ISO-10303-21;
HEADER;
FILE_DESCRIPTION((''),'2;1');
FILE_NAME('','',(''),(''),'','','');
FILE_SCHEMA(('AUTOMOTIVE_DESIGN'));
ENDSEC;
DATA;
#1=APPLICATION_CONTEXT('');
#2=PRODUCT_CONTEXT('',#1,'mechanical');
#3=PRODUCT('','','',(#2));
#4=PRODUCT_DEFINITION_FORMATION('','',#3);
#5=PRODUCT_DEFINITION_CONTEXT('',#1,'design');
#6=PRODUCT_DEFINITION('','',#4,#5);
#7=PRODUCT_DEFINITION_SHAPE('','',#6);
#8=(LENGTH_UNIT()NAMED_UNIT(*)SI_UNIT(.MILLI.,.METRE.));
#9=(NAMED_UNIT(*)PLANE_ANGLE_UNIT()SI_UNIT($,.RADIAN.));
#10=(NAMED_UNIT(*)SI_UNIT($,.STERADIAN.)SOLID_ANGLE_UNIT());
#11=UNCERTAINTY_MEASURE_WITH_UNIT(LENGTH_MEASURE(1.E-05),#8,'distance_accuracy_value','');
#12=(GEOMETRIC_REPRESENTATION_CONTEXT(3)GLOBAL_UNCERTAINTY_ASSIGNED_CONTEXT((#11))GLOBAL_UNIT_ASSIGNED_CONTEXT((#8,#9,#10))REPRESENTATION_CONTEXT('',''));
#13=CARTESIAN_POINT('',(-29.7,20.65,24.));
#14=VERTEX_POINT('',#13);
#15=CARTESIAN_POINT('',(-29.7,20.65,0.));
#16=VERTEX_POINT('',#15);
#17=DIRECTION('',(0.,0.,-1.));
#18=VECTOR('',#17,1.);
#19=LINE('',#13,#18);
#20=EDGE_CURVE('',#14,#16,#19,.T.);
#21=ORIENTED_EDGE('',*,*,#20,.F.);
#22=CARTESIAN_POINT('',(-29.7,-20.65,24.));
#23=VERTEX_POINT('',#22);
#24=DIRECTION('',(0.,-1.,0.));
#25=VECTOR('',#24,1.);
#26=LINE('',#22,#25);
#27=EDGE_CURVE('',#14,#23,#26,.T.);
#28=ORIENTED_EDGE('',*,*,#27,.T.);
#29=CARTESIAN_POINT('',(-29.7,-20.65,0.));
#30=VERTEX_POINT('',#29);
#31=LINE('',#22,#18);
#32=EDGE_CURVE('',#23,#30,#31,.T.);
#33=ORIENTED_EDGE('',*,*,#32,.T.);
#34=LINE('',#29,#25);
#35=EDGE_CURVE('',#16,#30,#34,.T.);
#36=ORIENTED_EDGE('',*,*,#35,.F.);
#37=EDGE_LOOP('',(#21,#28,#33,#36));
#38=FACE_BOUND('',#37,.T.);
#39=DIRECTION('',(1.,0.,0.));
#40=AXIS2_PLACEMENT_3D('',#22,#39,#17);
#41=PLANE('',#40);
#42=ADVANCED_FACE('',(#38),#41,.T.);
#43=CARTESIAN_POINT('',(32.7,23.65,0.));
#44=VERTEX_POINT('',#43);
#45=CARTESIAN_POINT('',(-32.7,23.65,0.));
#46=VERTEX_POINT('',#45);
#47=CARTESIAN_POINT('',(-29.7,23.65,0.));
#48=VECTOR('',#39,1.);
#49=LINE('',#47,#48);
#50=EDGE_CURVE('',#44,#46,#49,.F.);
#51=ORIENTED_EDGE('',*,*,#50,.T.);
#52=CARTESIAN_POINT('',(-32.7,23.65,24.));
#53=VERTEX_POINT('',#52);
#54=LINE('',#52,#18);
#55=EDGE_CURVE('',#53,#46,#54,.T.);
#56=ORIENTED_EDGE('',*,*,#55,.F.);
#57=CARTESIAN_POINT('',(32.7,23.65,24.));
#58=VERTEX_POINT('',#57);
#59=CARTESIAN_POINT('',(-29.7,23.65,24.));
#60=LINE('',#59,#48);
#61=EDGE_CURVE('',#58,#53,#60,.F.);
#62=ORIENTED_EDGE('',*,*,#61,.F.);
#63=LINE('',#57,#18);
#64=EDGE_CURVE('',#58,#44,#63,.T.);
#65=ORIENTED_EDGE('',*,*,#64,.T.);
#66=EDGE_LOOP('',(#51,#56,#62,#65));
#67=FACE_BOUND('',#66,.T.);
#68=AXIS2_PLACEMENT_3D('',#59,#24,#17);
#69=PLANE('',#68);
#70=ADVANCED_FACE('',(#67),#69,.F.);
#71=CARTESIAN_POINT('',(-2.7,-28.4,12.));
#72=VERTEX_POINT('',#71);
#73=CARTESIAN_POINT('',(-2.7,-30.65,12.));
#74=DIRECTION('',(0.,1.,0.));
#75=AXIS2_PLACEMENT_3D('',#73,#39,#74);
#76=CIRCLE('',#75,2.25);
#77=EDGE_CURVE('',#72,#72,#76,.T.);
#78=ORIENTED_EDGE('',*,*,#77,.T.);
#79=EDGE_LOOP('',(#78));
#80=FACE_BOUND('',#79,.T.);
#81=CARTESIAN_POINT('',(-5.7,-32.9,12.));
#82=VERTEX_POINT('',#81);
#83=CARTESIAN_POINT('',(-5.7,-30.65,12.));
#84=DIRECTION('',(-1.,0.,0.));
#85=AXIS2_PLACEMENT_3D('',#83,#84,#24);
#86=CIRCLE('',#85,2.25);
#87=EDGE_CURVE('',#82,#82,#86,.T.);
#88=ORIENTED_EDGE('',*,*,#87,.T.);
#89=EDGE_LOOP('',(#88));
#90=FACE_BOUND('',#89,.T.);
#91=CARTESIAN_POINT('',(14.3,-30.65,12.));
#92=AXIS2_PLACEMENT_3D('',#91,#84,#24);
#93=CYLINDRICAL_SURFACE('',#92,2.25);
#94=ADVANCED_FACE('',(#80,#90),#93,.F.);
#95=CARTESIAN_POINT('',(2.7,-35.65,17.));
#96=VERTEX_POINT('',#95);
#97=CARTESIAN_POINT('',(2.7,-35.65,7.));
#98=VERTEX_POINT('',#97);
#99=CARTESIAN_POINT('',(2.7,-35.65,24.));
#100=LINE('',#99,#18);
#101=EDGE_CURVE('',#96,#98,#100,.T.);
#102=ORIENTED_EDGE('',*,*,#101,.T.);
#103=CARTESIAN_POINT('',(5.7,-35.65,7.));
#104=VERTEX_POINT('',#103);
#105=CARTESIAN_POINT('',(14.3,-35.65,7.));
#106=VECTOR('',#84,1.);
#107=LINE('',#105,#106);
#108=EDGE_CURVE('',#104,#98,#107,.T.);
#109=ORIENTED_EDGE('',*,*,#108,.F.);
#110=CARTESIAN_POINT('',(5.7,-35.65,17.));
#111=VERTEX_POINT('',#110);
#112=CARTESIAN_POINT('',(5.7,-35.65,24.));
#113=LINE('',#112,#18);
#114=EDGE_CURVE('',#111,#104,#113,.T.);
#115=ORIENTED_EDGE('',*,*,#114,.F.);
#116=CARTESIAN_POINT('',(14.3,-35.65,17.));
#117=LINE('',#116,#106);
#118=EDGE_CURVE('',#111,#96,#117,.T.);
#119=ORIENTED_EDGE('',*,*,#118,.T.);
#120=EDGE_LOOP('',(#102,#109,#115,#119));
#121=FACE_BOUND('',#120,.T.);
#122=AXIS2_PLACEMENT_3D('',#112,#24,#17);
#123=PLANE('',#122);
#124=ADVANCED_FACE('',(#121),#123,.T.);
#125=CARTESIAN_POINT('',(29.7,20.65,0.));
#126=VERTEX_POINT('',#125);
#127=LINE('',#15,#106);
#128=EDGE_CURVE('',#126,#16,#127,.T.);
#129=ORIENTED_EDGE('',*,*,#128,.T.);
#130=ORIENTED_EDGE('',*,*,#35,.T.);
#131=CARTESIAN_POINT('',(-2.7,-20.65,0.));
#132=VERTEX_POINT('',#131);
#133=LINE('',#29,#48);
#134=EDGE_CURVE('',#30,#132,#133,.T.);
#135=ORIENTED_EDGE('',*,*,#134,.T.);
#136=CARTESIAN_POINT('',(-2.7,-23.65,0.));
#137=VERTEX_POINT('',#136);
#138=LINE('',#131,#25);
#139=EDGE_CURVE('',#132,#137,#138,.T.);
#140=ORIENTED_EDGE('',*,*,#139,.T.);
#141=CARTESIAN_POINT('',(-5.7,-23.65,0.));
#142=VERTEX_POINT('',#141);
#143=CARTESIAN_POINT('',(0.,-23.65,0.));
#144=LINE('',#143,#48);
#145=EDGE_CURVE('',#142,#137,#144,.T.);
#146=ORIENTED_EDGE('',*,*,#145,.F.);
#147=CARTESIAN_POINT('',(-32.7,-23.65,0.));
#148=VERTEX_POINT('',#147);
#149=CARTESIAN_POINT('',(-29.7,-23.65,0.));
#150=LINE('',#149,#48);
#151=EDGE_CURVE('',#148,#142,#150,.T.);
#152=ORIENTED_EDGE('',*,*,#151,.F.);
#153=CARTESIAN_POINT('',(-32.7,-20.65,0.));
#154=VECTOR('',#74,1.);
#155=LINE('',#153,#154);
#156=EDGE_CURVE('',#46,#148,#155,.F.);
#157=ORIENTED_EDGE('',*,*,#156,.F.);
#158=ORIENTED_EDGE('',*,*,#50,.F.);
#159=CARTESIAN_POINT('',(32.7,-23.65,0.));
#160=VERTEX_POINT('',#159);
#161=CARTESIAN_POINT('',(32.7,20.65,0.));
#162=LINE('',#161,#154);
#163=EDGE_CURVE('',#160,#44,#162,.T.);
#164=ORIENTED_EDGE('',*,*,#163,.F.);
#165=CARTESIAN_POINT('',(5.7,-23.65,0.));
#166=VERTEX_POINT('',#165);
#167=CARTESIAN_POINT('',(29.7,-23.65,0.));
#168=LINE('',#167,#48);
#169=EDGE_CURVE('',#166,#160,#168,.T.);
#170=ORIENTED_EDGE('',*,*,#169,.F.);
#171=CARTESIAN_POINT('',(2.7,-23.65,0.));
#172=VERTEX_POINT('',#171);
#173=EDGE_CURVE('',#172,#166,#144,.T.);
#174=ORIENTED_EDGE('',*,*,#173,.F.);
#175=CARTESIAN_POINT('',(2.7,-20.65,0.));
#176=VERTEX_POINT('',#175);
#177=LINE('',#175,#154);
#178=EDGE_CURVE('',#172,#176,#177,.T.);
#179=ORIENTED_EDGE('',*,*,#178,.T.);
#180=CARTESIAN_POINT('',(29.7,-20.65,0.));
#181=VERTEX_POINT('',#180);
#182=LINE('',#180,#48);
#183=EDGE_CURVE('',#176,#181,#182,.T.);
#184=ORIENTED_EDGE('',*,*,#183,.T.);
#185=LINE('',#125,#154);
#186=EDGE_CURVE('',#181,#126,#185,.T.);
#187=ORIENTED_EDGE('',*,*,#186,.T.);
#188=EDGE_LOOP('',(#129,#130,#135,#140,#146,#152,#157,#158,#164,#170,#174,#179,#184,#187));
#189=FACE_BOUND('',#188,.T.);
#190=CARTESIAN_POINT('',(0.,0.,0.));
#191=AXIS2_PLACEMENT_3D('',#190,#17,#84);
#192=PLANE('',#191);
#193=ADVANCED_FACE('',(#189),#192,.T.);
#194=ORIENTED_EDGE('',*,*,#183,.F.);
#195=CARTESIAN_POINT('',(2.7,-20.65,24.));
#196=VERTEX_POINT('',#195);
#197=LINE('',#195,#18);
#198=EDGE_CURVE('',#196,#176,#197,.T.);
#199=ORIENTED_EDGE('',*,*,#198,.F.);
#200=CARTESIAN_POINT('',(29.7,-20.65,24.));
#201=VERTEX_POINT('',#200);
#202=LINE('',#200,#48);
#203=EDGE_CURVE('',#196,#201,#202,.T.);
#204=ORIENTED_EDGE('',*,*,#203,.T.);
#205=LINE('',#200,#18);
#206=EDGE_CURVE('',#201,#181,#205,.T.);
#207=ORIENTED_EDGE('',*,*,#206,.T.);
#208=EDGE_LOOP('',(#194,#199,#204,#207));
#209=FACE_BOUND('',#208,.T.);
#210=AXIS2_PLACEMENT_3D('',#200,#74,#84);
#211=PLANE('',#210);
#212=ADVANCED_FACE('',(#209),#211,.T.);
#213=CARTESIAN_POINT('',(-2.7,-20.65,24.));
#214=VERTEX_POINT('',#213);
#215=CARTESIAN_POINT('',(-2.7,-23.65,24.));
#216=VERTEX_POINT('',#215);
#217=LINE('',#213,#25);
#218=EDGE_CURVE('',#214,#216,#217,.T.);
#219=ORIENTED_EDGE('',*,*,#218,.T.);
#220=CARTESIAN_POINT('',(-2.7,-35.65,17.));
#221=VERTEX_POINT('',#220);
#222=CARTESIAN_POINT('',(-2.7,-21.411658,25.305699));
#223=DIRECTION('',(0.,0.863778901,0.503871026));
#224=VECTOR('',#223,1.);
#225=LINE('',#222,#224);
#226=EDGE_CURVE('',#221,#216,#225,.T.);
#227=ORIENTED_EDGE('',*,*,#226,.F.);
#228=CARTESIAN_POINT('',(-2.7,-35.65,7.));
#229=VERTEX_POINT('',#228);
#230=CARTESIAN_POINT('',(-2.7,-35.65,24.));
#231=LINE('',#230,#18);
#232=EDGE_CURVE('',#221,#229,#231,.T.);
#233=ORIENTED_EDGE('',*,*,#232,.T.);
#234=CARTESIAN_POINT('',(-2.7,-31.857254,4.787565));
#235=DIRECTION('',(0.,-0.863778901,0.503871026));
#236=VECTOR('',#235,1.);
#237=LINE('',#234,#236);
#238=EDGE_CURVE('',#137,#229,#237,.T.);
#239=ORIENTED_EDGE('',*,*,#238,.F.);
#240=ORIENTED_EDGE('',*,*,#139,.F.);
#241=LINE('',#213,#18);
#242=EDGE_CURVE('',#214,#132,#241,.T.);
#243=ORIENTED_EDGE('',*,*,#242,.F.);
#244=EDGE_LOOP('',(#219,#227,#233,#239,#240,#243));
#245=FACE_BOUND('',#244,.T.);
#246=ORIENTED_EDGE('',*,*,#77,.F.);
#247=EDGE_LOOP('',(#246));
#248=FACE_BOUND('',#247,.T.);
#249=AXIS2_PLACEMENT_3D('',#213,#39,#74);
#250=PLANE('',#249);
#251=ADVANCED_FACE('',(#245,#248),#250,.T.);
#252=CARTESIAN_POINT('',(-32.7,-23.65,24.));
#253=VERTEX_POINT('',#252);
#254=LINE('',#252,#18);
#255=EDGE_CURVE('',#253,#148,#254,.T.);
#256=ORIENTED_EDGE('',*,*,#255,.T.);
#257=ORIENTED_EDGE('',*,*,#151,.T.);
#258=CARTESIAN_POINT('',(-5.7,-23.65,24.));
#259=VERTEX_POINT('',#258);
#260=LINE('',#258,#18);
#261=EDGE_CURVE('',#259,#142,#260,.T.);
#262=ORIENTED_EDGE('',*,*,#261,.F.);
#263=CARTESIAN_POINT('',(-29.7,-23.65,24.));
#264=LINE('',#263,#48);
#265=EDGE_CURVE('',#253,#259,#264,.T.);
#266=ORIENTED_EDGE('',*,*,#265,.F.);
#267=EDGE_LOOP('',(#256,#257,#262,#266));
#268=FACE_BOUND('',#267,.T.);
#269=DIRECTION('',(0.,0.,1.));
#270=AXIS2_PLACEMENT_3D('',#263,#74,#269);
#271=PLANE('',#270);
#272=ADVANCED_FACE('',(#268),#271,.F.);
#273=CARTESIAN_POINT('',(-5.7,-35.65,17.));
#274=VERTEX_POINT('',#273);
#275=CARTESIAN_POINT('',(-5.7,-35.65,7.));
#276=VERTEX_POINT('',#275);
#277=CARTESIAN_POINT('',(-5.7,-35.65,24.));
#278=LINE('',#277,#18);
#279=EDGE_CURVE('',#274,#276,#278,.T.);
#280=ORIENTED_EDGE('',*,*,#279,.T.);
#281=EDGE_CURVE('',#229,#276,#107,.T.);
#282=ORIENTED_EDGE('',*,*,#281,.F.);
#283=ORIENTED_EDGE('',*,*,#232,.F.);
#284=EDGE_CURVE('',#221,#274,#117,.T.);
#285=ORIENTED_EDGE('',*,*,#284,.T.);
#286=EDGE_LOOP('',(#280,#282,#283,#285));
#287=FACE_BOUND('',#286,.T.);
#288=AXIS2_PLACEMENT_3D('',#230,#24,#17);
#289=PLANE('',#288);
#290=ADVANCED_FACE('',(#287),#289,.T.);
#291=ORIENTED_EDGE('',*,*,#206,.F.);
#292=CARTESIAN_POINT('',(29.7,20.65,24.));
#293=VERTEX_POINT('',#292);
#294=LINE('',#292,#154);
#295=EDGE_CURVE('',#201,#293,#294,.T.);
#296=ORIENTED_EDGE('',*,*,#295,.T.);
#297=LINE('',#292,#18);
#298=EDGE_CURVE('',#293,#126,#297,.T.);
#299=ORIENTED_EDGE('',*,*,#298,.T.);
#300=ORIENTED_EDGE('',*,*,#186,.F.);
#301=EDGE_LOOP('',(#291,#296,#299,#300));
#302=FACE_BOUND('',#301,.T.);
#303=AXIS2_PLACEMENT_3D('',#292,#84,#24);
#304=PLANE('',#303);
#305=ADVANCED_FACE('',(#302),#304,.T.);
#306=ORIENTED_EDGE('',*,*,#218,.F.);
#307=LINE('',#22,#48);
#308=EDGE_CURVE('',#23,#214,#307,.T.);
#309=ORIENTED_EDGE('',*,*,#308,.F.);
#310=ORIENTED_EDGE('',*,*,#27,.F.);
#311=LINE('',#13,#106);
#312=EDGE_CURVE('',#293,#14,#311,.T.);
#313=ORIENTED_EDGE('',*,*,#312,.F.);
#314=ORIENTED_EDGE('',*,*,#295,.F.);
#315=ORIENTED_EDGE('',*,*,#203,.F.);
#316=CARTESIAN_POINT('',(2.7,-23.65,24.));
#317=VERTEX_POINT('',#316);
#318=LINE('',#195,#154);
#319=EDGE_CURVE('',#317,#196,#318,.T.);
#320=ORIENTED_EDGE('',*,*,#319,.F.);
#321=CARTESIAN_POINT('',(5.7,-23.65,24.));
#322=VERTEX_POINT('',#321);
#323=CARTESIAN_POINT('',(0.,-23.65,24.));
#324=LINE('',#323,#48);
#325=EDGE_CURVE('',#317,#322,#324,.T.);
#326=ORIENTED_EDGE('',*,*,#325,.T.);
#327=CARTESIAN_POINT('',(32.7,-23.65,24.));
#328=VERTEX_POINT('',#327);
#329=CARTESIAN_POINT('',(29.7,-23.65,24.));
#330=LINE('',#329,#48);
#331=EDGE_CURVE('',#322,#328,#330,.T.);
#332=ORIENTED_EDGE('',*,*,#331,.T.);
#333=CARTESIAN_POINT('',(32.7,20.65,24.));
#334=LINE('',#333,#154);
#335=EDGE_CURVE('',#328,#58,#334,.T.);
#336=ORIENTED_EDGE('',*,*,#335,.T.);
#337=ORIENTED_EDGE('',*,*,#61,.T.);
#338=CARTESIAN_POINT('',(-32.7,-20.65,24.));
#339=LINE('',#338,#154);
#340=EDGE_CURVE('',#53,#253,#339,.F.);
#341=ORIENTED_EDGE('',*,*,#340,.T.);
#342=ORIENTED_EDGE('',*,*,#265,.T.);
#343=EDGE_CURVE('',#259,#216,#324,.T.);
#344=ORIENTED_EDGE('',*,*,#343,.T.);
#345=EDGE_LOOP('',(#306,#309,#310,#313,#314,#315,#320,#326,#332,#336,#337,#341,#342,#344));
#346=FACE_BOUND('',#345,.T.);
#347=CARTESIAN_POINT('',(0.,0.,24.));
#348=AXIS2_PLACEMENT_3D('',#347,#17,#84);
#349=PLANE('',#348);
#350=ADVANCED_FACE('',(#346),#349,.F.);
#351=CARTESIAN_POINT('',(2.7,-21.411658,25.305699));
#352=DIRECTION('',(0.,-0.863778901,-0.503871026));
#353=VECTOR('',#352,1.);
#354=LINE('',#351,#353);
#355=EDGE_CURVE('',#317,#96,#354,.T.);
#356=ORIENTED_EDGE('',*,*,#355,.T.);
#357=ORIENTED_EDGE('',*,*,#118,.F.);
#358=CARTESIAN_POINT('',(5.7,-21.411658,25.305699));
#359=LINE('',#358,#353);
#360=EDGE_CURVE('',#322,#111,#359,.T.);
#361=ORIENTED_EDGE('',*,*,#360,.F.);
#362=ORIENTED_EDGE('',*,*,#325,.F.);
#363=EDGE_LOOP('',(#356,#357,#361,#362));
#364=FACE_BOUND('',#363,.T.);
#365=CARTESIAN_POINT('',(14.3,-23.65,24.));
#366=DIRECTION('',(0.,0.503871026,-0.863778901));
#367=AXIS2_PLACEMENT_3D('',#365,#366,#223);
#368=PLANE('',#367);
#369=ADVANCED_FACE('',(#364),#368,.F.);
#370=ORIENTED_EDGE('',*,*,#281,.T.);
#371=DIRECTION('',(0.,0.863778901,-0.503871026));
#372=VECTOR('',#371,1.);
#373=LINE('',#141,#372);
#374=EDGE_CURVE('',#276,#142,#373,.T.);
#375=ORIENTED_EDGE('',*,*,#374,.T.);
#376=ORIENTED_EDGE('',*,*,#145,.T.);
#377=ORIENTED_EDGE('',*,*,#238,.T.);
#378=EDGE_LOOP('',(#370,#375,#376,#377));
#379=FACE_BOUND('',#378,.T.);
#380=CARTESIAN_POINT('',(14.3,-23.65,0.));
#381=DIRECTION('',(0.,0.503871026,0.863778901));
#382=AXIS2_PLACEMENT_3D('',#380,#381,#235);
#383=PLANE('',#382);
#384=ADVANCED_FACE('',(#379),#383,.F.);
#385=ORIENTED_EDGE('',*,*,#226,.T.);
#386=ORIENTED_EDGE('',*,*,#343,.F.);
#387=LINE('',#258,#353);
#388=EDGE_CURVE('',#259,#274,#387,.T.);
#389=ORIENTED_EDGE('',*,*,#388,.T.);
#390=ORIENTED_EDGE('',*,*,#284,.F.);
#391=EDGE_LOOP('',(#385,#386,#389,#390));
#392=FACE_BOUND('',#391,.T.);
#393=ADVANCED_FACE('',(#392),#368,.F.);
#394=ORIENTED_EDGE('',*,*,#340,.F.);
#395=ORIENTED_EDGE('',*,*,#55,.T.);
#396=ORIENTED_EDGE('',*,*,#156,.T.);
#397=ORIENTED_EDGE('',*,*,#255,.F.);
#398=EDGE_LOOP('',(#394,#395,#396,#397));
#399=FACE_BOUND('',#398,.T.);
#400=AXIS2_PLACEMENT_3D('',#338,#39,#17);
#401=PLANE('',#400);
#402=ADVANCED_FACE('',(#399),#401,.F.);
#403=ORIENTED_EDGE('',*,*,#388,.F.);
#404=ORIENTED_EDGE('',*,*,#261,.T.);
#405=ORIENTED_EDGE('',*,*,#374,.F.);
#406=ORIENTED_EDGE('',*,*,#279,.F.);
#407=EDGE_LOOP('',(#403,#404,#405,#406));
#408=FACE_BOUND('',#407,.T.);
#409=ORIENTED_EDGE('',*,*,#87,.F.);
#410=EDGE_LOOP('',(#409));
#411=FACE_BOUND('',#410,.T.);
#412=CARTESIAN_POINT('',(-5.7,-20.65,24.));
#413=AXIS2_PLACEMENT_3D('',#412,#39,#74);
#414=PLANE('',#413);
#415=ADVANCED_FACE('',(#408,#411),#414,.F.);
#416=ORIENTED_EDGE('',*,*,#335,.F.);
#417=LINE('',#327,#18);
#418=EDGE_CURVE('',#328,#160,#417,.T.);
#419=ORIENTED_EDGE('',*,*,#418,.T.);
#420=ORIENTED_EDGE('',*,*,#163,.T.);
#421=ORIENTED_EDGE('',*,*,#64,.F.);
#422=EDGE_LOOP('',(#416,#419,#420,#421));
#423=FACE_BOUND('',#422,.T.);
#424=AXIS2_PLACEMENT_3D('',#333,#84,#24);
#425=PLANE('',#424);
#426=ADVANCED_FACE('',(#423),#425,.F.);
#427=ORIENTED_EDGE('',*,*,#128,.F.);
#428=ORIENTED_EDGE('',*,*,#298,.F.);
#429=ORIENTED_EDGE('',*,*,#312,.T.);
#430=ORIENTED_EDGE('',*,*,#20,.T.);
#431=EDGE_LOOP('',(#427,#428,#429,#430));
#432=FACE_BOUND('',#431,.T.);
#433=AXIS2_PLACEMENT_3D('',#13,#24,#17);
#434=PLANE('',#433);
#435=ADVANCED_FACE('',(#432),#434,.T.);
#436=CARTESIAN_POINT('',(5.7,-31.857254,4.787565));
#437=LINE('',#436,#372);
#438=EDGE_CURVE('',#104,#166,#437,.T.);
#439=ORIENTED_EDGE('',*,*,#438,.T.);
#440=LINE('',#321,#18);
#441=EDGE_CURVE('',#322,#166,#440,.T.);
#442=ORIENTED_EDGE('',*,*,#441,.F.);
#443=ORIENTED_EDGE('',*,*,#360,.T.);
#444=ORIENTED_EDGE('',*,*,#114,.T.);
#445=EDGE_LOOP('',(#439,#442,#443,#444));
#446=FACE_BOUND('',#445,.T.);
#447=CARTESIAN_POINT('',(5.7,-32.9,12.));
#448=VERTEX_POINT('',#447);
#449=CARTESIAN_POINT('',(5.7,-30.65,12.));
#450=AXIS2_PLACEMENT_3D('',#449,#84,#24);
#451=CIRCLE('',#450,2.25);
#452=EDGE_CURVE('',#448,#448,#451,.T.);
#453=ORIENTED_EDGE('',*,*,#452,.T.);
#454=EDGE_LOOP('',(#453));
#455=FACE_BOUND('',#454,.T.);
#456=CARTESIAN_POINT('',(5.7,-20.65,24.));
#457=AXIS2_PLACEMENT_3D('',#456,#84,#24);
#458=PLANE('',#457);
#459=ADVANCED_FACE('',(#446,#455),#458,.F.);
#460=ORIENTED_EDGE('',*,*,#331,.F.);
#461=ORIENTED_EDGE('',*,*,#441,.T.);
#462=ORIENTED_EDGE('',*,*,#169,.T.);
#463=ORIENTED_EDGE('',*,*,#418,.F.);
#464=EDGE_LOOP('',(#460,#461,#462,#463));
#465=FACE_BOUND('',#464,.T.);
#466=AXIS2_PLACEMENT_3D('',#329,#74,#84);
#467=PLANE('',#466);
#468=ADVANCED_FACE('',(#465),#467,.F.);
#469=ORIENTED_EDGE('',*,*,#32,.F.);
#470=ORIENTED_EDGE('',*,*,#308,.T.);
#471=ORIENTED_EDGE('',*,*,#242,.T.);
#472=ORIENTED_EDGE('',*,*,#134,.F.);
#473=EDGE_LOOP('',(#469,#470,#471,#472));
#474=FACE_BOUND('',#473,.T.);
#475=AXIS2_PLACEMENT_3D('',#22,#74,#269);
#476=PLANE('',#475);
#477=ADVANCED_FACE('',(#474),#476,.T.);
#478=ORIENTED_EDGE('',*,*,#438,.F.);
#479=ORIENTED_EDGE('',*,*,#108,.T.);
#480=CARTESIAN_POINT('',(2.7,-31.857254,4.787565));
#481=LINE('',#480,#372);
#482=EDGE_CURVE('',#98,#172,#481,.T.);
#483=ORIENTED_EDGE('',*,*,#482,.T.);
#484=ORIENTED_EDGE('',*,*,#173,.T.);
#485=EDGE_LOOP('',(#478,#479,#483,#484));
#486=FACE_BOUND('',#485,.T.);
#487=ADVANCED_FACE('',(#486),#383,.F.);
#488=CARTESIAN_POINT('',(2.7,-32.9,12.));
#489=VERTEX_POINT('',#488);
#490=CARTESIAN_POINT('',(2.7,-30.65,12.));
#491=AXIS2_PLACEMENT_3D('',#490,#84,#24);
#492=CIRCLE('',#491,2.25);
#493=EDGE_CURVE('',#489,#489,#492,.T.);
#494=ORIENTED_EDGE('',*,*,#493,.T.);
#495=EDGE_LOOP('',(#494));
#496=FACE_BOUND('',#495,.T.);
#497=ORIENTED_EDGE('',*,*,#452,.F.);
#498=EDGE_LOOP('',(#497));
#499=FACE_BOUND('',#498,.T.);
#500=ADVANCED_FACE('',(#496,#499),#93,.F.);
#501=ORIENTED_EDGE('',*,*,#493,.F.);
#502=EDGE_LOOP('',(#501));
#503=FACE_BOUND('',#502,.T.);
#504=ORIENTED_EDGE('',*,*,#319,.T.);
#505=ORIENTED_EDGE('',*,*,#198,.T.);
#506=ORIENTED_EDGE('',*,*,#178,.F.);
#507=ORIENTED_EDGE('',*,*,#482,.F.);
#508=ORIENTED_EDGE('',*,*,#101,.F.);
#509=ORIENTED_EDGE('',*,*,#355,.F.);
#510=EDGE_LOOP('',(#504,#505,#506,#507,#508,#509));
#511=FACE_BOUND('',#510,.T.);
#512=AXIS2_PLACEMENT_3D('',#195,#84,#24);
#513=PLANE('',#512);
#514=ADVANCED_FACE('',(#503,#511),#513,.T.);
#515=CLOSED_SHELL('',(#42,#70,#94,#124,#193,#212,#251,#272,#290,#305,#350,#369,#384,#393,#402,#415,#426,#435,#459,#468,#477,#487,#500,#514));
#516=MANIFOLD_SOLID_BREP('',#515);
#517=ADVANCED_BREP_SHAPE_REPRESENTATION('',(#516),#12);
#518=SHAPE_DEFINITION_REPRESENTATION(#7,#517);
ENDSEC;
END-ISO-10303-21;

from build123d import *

# Parameters (mm, degrees)
EXTRU_MINCE1_DEPTH      = 24
ESQUISSE2_R             = 2.25
ENL_V_MAT_EXTRU_1_DEPTH = 20


with BuildPart() as part:
    # Esquisse1 → Extru.-Mince1 (new body)
    with BuildSketch(Plane.XY):
        Polygon((-2.7, -35.65), (-2.7, -20.65), (-29.7, -20.65), (-29.7, 20.65), (29.7, 20.65), (29.7, -20.65), (2.7, -20.65), (2.7, -35.65), (5.7, -35.65), (5.7, -23.65), (32.7, -23.65), (32.7, 23.65), (-32.7, 23.65), (-32.7, -23.65), (-5.7, -23.65), (-5.7, -35.65), align=None)
    extrude(amount=EXTRU_MINCE1_DEPTH)

    # Esquisse2 → Enlèv. mat.-Extru.1 (cut)
    with BuildSketch(Plane.ZY.offset(5.7)):
        with Locations(Location((12, -30.65, 0), (0, 0, 270))):
            Circle(ESQUISSE2_R)
        Polygon((0, -23.65), (7, -35.65), (0, -35.65), align=None)
        Polygon((17, -35.65), (24, -35.65), (24, -23.65), align=None)
    extrude(amount=-ENL_V_MAT_EXTRU_1_DEPTH, mode=Mode.SUBTRACT)


solid = part.part
